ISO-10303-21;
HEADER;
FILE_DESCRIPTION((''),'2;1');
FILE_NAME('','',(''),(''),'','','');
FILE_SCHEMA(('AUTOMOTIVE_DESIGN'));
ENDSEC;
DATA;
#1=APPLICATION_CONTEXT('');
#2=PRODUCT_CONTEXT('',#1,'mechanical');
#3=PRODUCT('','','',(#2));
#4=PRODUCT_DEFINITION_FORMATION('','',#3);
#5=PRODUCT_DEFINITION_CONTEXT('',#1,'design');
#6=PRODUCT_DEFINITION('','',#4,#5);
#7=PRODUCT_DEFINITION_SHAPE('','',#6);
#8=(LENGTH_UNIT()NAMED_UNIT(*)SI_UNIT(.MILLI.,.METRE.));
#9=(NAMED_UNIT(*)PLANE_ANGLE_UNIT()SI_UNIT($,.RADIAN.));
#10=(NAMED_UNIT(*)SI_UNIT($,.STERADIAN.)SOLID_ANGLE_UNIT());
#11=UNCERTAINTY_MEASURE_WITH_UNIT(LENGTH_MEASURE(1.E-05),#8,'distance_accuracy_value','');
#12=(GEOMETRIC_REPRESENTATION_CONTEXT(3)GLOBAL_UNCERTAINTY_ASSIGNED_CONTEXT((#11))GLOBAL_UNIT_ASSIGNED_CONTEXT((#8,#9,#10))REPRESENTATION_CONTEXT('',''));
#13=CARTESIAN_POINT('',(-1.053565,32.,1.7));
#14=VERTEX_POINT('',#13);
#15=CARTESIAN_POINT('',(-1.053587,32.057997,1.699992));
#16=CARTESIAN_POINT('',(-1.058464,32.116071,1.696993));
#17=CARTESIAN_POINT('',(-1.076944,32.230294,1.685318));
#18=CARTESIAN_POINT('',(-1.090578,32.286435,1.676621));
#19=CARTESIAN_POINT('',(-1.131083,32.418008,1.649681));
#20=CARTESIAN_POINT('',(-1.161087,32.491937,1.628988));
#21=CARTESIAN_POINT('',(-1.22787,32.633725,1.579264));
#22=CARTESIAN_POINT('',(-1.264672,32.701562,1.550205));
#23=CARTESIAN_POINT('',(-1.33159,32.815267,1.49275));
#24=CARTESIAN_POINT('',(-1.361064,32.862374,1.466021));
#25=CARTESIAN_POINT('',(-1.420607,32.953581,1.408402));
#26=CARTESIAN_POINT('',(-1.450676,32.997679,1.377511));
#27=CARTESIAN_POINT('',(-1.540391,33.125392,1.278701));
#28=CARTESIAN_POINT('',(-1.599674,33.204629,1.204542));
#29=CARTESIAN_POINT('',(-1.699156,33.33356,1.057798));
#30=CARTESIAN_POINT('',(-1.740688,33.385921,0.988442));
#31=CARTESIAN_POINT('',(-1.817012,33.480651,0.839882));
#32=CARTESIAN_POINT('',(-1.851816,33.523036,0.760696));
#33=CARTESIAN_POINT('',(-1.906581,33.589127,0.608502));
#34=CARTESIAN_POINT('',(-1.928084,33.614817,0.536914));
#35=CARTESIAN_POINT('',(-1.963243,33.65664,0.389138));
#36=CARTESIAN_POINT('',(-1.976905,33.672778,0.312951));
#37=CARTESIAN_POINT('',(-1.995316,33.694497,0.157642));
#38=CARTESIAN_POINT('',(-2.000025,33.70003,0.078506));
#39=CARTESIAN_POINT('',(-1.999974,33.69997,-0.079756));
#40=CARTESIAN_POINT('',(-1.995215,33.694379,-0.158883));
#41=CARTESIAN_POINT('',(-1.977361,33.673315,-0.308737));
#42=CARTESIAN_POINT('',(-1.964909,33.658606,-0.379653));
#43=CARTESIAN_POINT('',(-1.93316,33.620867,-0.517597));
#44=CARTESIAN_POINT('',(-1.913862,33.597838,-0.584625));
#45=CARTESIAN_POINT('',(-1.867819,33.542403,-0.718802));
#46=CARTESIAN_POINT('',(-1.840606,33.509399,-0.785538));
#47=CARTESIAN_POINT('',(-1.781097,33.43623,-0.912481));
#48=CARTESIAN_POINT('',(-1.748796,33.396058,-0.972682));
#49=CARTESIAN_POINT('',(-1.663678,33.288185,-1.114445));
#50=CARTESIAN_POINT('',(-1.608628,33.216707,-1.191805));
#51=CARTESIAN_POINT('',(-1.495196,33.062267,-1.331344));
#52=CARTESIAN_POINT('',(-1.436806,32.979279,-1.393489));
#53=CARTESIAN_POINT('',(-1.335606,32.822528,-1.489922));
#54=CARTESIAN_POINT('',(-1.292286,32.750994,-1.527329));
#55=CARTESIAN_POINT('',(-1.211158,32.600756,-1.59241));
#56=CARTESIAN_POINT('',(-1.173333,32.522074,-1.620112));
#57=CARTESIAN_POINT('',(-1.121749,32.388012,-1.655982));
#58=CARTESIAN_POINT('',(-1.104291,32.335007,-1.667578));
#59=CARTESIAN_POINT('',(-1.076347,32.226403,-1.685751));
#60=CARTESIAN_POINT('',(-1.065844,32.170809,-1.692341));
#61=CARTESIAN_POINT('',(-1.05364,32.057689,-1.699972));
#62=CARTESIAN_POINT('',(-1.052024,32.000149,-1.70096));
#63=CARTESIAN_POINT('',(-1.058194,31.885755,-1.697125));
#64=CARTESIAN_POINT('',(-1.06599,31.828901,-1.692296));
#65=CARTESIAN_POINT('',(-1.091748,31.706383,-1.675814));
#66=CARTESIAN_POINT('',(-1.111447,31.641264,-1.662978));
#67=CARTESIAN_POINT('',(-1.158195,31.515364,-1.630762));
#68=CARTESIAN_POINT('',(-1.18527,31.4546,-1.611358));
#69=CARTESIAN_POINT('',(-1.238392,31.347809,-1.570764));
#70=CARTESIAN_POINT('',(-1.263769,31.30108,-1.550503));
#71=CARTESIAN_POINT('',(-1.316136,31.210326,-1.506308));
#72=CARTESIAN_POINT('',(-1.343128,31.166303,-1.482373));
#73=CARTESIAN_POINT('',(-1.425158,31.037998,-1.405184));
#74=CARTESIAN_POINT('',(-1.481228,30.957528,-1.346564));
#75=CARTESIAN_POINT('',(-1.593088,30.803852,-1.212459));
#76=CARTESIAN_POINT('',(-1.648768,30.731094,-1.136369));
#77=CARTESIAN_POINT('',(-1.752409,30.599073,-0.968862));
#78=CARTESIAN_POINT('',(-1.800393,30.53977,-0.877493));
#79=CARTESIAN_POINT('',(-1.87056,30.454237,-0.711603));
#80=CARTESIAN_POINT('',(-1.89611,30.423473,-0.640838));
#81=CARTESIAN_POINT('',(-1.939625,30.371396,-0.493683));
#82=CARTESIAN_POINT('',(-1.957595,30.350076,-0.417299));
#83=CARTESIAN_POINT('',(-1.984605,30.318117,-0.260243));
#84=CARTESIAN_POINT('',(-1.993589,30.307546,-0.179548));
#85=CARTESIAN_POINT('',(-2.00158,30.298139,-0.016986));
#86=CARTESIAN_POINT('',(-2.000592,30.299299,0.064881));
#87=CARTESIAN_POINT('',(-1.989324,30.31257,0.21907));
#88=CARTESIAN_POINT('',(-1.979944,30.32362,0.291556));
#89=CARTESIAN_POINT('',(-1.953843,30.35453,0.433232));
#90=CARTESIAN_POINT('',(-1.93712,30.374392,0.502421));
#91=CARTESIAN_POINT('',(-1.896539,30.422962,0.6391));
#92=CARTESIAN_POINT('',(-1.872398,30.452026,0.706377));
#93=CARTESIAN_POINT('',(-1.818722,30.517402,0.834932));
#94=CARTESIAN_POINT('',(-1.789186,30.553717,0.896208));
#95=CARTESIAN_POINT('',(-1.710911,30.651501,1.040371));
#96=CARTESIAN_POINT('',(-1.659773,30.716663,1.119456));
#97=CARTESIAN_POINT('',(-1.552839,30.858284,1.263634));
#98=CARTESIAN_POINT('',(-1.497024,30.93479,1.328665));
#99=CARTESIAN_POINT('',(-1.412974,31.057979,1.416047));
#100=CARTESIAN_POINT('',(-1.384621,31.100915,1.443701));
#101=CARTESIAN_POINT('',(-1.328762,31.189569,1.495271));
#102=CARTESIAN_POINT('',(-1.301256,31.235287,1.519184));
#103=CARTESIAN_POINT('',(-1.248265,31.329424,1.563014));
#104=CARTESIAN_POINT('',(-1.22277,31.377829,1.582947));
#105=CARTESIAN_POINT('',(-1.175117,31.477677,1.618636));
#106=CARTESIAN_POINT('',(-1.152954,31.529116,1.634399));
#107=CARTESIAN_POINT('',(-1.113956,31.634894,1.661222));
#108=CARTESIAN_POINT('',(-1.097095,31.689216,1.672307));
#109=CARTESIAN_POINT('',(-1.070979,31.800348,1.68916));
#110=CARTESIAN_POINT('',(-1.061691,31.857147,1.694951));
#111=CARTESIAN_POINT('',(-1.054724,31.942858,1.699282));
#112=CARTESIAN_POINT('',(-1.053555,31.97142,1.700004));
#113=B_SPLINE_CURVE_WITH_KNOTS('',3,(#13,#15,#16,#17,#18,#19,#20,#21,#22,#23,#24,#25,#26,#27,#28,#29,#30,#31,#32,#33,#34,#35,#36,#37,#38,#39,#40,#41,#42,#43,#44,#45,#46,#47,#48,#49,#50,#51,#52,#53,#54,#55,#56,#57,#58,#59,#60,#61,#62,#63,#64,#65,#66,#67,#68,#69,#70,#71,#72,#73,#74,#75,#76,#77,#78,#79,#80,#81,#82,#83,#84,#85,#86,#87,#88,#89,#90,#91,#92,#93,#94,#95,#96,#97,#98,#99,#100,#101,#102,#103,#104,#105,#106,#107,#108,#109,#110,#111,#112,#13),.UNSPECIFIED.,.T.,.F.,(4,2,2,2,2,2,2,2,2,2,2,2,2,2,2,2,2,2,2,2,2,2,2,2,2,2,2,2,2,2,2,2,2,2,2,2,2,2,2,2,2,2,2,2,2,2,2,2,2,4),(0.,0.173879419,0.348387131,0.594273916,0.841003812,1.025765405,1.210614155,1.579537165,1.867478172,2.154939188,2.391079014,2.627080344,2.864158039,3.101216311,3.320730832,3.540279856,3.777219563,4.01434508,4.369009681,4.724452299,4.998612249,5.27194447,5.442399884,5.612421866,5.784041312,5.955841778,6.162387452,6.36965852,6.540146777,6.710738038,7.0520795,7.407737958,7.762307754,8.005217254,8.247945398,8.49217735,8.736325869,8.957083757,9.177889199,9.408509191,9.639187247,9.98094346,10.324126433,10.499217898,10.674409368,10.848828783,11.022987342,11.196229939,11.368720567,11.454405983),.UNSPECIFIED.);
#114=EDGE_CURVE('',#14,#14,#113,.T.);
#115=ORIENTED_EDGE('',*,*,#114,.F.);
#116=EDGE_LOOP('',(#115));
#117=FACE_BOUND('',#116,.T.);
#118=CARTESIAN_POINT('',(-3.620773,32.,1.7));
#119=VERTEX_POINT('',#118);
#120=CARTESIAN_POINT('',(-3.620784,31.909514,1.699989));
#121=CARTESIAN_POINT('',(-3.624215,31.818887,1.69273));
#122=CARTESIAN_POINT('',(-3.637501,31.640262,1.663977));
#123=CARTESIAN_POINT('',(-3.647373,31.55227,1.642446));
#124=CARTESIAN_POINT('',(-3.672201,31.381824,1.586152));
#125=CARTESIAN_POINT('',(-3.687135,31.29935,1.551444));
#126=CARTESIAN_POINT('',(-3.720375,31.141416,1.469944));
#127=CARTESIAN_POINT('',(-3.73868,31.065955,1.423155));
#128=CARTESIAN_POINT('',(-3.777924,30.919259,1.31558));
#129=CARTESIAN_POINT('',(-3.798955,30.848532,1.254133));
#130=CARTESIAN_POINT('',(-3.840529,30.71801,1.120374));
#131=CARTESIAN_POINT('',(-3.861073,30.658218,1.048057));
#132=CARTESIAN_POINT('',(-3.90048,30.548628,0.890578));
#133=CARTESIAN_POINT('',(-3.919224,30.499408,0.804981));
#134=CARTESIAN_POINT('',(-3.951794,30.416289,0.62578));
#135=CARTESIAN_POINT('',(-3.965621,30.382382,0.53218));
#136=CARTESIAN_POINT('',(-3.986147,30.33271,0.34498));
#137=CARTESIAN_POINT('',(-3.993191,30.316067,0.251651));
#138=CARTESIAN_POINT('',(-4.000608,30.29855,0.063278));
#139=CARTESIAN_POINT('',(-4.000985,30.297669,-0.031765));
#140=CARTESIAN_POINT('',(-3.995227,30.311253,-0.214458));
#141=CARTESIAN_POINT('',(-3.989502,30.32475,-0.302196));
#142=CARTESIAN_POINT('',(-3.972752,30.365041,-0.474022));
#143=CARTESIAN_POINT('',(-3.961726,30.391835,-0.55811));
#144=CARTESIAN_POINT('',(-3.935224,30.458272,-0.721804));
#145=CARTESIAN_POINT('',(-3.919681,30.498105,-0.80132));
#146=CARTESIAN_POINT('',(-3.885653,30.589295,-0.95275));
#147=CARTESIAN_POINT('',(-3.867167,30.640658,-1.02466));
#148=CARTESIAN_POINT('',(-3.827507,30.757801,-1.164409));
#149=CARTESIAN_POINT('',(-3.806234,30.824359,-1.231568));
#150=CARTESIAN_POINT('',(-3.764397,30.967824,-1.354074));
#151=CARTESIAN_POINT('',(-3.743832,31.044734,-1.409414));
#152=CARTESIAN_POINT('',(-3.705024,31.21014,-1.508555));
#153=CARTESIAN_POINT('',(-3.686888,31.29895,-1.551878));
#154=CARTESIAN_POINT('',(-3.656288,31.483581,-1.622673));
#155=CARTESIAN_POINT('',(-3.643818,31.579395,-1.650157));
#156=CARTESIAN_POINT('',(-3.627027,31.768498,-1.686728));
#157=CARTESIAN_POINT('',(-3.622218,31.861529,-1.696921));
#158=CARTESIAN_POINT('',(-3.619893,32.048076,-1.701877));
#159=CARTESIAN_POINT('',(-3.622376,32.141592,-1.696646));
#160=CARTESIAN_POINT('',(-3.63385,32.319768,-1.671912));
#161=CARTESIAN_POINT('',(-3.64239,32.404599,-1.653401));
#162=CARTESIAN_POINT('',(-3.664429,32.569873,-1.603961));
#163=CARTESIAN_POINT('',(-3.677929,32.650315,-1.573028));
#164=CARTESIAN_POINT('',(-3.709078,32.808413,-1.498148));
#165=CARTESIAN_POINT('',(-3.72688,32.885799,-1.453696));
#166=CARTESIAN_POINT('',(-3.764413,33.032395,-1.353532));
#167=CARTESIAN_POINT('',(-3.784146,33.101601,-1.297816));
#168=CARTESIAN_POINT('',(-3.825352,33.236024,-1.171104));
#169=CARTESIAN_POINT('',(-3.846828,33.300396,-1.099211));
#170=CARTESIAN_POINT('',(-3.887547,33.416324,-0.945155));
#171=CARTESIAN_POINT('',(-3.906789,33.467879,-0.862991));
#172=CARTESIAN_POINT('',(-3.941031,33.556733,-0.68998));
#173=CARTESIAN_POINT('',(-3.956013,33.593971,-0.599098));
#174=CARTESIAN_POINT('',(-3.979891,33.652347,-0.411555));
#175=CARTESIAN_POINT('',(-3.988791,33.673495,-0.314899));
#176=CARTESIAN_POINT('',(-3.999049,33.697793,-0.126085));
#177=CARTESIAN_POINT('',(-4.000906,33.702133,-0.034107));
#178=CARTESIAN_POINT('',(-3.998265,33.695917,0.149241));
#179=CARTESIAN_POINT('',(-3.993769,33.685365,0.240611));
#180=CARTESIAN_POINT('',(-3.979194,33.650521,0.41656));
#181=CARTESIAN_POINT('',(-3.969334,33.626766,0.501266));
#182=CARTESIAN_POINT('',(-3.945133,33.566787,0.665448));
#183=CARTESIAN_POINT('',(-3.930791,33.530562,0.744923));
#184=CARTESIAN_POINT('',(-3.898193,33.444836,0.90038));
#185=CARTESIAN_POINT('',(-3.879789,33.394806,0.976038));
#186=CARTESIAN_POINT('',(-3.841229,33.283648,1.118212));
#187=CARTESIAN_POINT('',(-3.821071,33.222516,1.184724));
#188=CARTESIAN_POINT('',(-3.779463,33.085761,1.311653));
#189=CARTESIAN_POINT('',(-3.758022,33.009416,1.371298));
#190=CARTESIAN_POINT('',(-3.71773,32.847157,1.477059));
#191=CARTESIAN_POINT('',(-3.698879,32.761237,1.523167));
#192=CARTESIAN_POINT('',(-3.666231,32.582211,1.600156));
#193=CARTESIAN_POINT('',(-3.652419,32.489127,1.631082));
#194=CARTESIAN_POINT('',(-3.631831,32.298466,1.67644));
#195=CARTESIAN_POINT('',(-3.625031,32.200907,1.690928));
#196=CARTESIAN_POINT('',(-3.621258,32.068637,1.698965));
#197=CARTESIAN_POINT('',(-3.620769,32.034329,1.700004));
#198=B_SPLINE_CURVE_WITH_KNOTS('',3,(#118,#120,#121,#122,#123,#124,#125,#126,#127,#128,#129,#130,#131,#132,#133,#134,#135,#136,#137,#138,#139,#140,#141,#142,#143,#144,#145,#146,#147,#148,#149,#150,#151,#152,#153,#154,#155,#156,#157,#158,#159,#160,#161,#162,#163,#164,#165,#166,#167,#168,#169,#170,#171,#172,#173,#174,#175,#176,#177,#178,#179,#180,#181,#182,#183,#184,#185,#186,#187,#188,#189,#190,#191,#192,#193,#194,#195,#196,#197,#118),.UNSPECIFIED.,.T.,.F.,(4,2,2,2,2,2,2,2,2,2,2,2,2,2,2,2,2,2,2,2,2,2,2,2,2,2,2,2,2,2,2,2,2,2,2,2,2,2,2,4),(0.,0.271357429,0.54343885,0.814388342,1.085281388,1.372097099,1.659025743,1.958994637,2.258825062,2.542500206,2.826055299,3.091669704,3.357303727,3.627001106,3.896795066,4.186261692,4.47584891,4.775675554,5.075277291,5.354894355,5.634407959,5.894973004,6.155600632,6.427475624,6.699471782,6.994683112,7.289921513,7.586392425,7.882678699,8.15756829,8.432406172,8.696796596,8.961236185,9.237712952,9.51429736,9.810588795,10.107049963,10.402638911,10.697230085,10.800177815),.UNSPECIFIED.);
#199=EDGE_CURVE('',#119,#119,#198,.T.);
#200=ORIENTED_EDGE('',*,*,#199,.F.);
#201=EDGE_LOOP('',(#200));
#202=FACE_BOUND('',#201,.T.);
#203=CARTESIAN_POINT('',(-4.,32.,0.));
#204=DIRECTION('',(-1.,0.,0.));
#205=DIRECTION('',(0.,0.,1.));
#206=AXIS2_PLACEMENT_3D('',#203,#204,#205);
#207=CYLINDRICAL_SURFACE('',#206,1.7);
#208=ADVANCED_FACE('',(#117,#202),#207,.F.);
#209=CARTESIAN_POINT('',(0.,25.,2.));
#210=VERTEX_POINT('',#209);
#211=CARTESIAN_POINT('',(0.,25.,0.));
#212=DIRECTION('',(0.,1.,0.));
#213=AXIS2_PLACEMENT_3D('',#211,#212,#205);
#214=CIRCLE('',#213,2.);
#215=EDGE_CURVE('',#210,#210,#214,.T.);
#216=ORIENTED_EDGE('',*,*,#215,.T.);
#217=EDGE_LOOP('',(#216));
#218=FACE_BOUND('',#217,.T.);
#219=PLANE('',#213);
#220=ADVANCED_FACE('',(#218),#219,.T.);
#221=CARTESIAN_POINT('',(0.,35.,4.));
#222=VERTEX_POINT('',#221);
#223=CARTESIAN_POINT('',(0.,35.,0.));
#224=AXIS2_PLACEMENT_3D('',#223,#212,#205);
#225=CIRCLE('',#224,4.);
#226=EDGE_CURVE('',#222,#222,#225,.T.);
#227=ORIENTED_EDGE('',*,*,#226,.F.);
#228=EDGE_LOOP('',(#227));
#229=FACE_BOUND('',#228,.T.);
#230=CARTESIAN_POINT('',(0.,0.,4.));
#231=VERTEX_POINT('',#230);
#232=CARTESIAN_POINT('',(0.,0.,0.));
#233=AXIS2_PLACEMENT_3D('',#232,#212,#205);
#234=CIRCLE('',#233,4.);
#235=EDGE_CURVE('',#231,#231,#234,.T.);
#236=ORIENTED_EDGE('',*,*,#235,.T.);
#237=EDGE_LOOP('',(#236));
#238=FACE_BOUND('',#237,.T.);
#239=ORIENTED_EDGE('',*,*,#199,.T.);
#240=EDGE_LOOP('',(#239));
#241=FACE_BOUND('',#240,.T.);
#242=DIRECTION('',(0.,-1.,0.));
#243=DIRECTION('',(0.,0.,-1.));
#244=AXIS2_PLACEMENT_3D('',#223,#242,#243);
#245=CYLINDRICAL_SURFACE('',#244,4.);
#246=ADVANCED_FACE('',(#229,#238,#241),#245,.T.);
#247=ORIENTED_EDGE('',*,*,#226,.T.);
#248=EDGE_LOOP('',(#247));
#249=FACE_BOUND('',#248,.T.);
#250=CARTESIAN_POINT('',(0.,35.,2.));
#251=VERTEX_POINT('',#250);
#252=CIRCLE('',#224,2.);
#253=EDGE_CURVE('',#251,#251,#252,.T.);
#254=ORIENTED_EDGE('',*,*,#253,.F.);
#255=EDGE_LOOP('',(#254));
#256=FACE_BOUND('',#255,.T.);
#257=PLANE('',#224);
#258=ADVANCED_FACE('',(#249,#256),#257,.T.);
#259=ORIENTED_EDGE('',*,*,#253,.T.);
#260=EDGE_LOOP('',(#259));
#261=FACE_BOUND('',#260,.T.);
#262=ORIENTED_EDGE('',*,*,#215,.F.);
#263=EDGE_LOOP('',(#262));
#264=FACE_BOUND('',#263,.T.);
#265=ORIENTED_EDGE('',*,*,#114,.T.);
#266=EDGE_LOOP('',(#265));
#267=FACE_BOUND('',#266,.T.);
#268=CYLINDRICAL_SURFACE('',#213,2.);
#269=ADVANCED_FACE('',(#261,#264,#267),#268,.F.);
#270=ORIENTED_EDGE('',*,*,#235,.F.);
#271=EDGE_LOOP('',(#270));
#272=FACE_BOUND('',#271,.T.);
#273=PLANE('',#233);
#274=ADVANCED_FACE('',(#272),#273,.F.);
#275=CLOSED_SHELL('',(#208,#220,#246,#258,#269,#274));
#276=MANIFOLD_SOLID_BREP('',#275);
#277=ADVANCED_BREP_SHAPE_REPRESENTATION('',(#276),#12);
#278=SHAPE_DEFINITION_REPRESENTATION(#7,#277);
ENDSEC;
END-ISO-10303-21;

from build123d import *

# Parameters (mm, degrees)
CROQUIS1_R                       = 4
SALIENTE_EXTRUIR1_DEPTH          = 35
CROQUIS2_R                       = 2
CORTAR_EXTRUIR1_DEPTH            = 10
TALADRO_DE_MARGEN_PARA_M31_D     = 3.4
TALADRO_DE_MARGEN_PARA_M31_DEPTH = 3
TALADRO_DE_MARGEN_PARA_M31_TIP   = 1.021463052


with BuildPart() as part:
    # Croquis1 → Saliente-Extruir1 (new body)
    with BuildSketch(Plane(origin=(0, 0, 0), x_dir=(1, 0, 0), z_dir=(0, 1, 0))):
        Circle(CROQUIS1_R)
    extrude(amount=SALIENTE_EXTRUIR1_DEPTH)

    # Croquis2 → Cortar-Extruir1 (cut)
    with BuildSketch(Plane(origin=(0, 35, 0), x_dir=(1, 0, 0), z_dir=(0, 1, 0))):
        Circle(CROQUIS2_R)
    extrude(amount=-CORTAR_EXTRUIR1_DEPTH, mode=Mode.SUBTRACT)

    # Taladro de margen para M31
    with Locations(Plane(origin=(-4, 32, 0), x_dir=(0, 0, -1), z_dir=(-1, 0, 0))):
        with Locations((0, 0)):
            Hole(TALADRO_DE_MARGEN_PARA_M31_D / 2, depth=TALADRO_DE_MARGEN_PARA_M31_DEPTH)
            with Locations((0, 0, -(TALADRO_DE_MARGEN_PARA_M31_DEPTH + TALADRO_DE_MARGEN_PARA_M31_TIP / 2))):  # 118° drill point
                Cone(0, TALADRO_DE_MARGEN_PARA_M31_D / 2, TALADRO_DE_MARGEN_PARA_M31_TIP, mode=Mode.SUBTRACT)


solid = part.part
